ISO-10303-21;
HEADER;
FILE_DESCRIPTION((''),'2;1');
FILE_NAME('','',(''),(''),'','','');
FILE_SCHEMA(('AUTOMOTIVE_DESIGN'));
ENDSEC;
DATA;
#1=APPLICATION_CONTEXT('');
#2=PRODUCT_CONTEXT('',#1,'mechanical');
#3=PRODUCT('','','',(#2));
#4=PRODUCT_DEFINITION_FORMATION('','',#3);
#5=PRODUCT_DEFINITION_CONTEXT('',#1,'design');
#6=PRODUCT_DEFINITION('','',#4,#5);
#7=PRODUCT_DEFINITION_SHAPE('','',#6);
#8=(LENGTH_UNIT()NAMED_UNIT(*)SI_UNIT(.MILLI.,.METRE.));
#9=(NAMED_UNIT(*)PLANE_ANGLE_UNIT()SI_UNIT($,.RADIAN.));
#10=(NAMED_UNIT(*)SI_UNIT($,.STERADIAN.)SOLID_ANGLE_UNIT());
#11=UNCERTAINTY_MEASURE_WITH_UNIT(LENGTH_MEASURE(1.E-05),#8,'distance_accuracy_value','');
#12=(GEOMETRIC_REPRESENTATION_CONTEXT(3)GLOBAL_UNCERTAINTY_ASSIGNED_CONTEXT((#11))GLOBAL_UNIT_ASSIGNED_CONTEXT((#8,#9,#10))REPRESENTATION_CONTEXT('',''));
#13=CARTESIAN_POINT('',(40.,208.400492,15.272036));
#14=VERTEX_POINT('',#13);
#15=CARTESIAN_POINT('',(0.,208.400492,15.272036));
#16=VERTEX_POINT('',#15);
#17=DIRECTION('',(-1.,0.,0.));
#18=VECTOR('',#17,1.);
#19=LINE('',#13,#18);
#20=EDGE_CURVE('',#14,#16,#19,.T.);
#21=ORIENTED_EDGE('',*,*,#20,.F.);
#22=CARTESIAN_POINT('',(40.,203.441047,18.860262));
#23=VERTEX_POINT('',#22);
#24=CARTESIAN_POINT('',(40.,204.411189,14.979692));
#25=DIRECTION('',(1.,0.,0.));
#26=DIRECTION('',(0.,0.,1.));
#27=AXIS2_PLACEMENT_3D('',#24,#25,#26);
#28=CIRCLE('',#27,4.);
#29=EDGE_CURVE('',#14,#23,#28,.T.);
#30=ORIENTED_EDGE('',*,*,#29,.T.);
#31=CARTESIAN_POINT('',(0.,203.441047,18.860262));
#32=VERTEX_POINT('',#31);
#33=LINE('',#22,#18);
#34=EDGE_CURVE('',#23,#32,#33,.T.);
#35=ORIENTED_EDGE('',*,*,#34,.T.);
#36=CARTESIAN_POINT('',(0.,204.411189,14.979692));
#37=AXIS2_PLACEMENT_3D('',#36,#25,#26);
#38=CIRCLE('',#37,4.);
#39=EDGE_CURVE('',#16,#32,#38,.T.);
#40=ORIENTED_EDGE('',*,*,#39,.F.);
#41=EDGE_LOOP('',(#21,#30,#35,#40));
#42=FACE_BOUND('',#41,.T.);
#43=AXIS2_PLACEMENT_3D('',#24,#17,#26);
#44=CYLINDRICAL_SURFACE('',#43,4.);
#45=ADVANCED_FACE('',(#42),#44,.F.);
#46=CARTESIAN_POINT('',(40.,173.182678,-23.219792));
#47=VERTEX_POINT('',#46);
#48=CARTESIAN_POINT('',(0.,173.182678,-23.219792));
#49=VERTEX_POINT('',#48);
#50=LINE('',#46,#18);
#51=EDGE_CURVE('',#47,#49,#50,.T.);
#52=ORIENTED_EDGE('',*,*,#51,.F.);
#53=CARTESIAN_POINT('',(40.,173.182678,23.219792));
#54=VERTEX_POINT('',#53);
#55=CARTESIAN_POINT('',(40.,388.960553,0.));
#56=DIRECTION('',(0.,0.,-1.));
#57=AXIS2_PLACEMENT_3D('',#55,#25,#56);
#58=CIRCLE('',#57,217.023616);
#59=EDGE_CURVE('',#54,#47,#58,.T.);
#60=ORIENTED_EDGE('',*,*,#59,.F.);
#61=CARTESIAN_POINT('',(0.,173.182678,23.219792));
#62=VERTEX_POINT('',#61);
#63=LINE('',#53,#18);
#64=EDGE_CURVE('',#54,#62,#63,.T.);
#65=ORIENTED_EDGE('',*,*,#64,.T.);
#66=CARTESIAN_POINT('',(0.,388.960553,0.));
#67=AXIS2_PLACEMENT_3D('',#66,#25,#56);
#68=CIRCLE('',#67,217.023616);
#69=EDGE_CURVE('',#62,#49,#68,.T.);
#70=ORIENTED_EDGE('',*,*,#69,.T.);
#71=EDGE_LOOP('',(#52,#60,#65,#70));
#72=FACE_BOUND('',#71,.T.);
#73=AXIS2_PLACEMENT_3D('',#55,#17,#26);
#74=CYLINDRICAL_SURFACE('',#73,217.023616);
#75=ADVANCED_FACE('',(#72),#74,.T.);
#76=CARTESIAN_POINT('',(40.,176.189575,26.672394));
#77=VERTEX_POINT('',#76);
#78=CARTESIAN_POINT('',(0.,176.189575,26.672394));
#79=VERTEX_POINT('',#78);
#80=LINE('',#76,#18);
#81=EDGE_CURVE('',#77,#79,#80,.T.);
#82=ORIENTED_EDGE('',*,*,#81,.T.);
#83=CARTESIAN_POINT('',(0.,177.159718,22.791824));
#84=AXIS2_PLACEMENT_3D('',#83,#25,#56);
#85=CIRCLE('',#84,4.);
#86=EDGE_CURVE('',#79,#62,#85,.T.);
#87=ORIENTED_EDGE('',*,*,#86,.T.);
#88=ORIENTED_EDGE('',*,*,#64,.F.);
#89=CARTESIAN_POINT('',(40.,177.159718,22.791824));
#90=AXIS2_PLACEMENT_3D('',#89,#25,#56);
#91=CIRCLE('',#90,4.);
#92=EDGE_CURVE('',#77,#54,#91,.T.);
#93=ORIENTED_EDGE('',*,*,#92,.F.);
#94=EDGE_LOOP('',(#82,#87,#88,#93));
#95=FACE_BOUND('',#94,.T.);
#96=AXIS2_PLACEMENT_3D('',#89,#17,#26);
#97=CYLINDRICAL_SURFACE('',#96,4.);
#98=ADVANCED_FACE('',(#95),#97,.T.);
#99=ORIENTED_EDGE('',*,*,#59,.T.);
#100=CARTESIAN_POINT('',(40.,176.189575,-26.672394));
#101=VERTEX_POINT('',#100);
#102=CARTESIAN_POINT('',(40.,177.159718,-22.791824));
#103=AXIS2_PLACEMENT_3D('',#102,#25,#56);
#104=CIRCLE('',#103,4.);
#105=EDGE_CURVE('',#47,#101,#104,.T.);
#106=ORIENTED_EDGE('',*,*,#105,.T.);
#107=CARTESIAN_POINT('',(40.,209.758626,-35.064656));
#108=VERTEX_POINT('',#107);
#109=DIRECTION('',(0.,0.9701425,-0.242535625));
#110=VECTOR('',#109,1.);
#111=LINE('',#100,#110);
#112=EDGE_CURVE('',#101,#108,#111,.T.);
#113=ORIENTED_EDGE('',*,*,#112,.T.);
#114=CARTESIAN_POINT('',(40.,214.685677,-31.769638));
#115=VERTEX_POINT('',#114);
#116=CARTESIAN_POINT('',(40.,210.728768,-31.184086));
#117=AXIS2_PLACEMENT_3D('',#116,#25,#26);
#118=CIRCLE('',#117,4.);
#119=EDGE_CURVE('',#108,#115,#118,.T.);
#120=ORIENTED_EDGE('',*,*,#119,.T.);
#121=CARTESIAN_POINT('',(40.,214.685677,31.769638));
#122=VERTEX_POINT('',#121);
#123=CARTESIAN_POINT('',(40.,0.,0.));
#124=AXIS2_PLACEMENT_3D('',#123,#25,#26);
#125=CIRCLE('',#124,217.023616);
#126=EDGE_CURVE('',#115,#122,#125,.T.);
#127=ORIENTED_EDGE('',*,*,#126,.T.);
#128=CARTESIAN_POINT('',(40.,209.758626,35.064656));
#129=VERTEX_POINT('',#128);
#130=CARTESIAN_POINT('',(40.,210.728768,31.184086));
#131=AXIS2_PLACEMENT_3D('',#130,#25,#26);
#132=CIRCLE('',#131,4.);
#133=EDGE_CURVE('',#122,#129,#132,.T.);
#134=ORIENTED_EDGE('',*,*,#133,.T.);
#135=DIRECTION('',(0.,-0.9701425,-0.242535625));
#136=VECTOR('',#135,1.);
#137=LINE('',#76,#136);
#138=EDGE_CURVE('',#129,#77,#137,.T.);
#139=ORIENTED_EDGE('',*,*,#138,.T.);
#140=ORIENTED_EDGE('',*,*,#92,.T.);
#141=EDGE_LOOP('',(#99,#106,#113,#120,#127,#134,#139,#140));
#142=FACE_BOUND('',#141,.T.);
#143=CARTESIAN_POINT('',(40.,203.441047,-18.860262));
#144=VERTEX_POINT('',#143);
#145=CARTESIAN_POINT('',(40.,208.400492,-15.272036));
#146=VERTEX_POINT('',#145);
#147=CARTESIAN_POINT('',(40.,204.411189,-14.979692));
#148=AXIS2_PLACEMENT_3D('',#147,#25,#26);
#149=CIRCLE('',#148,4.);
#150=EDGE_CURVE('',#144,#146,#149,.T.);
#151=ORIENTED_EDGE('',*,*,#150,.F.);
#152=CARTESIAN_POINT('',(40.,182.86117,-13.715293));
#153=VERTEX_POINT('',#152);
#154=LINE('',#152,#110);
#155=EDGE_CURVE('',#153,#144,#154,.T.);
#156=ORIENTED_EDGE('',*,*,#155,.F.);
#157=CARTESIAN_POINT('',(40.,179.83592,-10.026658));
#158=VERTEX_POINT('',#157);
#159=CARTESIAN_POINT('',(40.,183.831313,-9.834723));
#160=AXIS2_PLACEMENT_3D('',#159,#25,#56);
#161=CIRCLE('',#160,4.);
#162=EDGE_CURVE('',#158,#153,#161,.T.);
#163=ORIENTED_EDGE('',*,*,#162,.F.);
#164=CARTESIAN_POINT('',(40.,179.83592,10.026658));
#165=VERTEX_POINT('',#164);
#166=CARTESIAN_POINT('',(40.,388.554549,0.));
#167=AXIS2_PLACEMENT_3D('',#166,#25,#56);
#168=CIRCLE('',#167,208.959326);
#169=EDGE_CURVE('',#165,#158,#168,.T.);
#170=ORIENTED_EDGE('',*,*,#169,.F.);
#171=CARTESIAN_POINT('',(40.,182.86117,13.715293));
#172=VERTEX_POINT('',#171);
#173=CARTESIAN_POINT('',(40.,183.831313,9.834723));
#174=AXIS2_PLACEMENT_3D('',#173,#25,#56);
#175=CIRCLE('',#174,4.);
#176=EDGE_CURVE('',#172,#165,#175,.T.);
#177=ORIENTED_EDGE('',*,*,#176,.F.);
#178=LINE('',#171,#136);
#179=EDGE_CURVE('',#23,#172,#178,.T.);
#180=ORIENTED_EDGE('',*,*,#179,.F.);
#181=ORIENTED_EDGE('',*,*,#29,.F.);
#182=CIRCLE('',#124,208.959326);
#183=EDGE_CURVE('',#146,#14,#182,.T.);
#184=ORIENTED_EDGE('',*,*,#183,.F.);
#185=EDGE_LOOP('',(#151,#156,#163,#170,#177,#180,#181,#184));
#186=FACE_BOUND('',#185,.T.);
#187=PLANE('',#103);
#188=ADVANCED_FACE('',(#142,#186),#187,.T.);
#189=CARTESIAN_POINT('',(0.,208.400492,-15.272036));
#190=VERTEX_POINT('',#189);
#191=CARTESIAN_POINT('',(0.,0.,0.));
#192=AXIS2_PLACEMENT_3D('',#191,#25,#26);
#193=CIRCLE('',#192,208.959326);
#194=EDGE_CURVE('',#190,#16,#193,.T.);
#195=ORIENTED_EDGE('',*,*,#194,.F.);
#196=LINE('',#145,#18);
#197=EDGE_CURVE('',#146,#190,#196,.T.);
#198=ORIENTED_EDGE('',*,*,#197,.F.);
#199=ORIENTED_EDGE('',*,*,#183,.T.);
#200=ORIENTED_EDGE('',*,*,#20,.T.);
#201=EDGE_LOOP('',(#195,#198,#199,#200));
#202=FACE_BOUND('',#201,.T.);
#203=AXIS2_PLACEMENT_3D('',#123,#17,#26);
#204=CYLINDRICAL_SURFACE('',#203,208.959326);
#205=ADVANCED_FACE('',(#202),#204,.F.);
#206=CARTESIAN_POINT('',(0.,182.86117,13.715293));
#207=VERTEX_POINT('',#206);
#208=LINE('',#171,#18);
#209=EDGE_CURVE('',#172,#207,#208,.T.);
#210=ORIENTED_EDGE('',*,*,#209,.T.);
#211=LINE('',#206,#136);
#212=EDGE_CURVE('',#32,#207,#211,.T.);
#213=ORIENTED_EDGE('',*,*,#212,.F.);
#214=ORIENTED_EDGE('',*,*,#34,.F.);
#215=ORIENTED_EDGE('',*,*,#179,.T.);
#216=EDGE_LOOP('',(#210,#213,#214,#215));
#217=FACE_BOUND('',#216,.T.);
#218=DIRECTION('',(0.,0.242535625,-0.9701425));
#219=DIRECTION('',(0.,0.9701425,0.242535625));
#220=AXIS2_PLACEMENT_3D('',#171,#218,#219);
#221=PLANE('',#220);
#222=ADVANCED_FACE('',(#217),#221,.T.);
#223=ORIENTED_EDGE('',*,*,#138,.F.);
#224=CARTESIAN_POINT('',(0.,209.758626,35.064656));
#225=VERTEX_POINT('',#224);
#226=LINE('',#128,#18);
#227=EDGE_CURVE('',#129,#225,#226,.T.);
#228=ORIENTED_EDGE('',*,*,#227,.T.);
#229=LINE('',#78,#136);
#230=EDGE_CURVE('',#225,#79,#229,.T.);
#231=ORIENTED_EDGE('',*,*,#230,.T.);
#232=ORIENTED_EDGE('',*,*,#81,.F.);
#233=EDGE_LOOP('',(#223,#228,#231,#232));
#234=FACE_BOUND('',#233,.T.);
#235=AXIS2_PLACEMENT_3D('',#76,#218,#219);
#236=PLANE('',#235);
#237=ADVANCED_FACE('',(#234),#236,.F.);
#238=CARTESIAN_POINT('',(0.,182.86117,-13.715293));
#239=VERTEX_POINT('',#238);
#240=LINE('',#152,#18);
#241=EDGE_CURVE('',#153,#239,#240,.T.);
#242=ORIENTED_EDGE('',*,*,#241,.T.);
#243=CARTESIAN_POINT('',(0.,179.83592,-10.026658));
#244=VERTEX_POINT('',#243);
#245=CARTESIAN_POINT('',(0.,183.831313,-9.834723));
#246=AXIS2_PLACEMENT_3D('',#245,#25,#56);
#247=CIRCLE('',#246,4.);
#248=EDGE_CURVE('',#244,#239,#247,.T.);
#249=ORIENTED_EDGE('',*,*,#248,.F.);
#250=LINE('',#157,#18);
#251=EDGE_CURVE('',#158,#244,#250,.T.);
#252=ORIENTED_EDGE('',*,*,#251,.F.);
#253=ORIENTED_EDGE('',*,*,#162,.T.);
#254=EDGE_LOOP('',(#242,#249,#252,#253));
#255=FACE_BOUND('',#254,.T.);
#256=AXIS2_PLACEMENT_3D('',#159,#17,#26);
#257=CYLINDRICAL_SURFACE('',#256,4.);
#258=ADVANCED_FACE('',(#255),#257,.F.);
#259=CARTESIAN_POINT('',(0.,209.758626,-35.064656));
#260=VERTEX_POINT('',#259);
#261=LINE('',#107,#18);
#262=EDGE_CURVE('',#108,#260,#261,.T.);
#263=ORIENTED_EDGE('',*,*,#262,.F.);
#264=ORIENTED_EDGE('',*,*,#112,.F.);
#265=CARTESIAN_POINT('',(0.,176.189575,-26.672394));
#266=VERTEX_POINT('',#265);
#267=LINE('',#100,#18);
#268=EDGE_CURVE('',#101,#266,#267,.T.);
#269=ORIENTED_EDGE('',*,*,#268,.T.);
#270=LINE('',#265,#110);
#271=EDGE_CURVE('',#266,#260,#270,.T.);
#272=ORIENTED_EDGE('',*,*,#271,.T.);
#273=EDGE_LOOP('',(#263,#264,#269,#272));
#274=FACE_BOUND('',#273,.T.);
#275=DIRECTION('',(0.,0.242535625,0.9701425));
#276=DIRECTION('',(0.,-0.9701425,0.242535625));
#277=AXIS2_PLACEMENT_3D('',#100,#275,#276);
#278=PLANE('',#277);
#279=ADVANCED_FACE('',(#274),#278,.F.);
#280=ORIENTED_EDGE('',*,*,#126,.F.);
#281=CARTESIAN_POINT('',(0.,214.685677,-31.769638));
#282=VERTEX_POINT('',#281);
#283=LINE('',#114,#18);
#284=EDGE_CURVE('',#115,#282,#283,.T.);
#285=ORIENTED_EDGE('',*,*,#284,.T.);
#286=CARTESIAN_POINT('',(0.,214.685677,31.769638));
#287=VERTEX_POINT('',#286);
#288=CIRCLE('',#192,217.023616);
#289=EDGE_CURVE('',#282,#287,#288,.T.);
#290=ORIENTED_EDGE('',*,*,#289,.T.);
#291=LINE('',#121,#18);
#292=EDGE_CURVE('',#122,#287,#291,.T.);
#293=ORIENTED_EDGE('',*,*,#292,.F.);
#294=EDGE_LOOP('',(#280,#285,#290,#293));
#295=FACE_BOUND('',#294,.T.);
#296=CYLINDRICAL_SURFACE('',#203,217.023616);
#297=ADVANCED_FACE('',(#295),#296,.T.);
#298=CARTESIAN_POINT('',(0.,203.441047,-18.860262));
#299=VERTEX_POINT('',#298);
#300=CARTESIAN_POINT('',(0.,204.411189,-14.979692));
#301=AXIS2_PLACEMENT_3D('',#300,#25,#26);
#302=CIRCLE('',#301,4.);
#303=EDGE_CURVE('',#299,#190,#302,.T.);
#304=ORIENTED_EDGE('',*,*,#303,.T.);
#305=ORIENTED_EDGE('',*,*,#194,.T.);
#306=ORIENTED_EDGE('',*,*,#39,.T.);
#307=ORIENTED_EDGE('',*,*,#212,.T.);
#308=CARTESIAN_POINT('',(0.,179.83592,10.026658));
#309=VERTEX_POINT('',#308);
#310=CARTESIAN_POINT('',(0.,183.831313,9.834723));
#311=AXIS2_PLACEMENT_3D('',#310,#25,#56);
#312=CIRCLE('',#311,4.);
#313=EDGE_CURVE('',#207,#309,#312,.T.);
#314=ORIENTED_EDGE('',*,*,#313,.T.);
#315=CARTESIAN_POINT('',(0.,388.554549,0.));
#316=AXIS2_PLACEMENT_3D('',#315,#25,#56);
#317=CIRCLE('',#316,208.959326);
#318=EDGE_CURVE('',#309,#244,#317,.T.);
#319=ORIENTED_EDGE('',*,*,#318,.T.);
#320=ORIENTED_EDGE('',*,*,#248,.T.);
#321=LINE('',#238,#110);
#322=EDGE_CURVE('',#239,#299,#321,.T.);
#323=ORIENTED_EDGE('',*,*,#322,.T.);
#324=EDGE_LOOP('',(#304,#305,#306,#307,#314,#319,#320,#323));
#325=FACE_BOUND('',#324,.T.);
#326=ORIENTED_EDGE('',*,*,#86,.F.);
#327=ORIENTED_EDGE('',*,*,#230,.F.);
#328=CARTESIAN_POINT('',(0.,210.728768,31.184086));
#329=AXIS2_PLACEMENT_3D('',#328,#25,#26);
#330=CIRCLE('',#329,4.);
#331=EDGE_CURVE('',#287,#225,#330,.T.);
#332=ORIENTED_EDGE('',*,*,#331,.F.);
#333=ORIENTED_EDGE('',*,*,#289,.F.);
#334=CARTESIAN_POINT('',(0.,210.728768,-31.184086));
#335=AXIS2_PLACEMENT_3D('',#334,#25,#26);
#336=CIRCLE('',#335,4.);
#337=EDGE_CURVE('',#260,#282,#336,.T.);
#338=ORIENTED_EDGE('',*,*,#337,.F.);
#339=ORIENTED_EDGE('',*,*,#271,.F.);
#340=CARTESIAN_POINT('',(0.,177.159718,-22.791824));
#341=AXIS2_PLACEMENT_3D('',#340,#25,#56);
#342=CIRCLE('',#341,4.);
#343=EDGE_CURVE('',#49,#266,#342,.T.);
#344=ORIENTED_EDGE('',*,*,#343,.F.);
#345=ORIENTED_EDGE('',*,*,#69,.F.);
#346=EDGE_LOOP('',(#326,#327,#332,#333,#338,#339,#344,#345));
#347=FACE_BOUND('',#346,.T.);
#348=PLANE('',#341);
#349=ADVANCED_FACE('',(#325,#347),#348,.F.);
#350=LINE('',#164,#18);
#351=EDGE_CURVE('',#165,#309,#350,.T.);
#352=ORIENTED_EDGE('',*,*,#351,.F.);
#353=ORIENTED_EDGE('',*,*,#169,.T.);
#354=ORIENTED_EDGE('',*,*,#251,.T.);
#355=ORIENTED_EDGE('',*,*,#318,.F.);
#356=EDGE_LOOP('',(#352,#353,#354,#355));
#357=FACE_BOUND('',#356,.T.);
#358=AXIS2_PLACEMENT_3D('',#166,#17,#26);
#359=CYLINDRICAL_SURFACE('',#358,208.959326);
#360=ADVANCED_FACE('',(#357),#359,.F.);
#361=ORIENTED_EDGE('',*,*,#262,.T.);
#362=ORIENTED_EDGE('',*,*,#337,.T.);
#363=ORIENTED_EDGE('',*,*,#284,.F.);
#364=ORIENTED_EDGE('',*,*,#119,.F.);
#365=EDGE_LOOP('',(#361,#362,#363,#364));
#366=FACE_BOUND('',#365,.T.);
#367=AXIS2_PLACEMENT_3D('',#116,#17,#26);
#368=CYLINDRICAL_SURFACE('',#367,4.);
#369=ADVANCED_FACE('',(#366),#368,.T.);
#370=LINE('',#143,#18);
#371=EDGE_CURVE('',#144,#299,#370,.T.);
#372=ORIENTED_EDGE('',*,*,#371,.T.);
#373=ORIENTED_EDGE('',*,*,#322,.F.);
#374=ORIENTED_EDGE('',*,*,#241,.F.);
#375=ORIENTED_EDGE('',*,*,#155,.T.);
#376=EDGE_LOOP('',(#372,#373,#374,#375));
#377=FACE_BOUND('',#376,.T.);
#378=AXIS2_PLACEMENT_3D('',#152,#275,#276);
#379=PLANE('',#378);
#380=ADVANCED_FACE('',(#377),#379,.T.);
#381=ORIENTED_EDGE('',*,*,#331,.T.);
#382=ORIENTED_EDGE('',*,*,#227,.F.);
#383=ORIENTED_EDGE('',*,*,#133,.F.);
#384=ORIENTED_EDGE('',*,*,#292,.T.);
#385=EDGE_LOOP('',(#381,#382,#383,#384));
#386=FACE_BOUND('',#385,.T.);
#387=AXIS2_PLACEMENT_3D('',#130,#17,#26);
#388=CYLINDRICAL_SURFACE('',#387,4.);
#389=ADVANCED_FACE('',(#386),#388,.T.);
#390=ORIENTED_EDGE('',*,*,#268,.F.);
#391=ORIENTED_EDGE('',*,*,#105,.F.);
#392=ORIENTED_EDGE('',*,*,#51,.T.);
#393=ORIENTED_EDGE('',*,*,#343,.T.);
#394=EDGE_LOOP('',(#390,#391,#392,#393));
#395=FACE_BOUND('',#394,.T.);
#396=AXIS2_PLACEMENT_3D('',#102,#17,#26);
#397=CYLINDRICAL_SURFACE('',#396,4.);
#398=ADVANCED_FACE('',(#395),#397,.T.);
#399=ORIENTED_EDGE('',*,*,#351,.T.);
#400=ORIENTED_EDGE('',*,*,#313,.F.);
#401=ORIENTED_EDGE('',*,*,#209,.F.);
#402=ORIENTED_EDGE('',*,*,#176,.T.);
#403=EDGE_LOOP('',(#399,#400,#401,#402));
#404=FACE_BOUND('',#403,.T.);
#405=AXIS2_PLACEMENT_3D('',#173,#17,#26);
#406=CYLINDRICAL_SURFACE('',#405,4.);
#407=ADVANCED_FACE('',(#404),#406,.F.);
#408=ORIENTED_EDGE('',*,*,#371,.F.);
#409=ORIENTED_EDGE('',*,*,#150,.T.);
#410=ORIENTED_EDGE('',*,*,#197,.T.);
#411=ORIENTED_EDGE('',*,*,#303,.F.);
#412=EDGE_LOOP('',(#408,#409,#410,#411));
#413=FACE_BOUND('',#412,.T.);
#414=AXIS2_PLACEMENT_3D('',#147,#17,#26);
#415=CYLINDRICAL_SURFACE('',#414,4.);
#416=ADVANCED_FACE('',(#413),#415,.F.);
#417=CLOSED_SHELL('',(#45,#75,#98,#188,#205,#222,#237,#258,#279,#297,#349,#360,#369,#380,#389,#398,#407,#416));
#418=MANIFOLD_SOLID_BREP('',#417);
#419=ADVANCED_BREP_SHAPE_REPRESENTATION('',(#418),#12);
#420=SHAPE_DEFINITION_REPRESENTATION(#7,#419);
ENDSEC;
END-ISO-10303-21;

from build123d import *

# Parameters (mm, degrees)
EXTRUDE_1_DEPTH = 40


with BuildPart() as part:
    # Эскиз1 → Вытянуть1 (new body)
    with BuildSketch(Plane(origin=(0, 0, 0), x_dir=(0, 0, -1), z_dir=(1, 0, 0))):
        with BuildLine():
            Line((26.672393858, 176.18957543), (35.064656469, 209.758625876))
            ThreePointArc((35.064656469, 209.758625876), (34.509070686, 212.952387038), (31.769638193, 214.68567742))
            ThreePointArc((31.769638193, 214.68567742), (0, 217.023616226), (-31.769638193, 214.68567742))
            ThreePointArc((-31.769638193, 214.68567742), (-34.509070686, 212.952387038), (-35.064656469, 209.758625876))
            Line((-35.064656469, 209.758625876), (-26.672393858, 176.18957543))
            ThreePointArc((-26.672393858, 176.18957543), (-25.418843537, 174.143301579), (-23.219791878, 173.182678407))
            ThreePointArc((-23.219791878, 173.182678407), (0, 171.936937008), (23.219791878, 173.182678407))
            ThreePointArc((23.219791878, 173.182678407), (25.418843537, 174.143301579), (26.672393858, 176.18957543))
        make_face()
        with BuildLine():
            Line((13.715292518, 182.861170071), (18.86026165, 203.441046598))
            ThreePointArc((18.86026165, 203.441046598), (18.220421187, 206.755900608), (15.272036319, 208.400491618))
            ThreePointArc((15.272036319, 208.400491618), (0, 208.959326186), (-15.272036319, 208.400491618))
            ThreePointArc((-15.272036319, 208.400491618), (-18.220421187, 206.755900608), (-18.86026165, 203.441046598))
            Line((-18.86026165, 203.441046598), (-13.715292518, 182.861170071))
            ThreePointArc((-13.715292518, 182.861170071), (-12.371326308, 180.738475491), (-10.026657624, 179.835920111))
            ThreePointArc((-10.026657624, 179.835920111), (0, 179.595223033), (10.026657624, 179.835920111))
            ThreePointArc((10.026657624, 179.835920111), (12.371326308, 180.738475491), (13.715292518, 182.861170071))
        make_face(mode=Mode.SUBTRACT)
    extrude(amount=EXTRUDE_1_DEPTH)


solid = part.part
